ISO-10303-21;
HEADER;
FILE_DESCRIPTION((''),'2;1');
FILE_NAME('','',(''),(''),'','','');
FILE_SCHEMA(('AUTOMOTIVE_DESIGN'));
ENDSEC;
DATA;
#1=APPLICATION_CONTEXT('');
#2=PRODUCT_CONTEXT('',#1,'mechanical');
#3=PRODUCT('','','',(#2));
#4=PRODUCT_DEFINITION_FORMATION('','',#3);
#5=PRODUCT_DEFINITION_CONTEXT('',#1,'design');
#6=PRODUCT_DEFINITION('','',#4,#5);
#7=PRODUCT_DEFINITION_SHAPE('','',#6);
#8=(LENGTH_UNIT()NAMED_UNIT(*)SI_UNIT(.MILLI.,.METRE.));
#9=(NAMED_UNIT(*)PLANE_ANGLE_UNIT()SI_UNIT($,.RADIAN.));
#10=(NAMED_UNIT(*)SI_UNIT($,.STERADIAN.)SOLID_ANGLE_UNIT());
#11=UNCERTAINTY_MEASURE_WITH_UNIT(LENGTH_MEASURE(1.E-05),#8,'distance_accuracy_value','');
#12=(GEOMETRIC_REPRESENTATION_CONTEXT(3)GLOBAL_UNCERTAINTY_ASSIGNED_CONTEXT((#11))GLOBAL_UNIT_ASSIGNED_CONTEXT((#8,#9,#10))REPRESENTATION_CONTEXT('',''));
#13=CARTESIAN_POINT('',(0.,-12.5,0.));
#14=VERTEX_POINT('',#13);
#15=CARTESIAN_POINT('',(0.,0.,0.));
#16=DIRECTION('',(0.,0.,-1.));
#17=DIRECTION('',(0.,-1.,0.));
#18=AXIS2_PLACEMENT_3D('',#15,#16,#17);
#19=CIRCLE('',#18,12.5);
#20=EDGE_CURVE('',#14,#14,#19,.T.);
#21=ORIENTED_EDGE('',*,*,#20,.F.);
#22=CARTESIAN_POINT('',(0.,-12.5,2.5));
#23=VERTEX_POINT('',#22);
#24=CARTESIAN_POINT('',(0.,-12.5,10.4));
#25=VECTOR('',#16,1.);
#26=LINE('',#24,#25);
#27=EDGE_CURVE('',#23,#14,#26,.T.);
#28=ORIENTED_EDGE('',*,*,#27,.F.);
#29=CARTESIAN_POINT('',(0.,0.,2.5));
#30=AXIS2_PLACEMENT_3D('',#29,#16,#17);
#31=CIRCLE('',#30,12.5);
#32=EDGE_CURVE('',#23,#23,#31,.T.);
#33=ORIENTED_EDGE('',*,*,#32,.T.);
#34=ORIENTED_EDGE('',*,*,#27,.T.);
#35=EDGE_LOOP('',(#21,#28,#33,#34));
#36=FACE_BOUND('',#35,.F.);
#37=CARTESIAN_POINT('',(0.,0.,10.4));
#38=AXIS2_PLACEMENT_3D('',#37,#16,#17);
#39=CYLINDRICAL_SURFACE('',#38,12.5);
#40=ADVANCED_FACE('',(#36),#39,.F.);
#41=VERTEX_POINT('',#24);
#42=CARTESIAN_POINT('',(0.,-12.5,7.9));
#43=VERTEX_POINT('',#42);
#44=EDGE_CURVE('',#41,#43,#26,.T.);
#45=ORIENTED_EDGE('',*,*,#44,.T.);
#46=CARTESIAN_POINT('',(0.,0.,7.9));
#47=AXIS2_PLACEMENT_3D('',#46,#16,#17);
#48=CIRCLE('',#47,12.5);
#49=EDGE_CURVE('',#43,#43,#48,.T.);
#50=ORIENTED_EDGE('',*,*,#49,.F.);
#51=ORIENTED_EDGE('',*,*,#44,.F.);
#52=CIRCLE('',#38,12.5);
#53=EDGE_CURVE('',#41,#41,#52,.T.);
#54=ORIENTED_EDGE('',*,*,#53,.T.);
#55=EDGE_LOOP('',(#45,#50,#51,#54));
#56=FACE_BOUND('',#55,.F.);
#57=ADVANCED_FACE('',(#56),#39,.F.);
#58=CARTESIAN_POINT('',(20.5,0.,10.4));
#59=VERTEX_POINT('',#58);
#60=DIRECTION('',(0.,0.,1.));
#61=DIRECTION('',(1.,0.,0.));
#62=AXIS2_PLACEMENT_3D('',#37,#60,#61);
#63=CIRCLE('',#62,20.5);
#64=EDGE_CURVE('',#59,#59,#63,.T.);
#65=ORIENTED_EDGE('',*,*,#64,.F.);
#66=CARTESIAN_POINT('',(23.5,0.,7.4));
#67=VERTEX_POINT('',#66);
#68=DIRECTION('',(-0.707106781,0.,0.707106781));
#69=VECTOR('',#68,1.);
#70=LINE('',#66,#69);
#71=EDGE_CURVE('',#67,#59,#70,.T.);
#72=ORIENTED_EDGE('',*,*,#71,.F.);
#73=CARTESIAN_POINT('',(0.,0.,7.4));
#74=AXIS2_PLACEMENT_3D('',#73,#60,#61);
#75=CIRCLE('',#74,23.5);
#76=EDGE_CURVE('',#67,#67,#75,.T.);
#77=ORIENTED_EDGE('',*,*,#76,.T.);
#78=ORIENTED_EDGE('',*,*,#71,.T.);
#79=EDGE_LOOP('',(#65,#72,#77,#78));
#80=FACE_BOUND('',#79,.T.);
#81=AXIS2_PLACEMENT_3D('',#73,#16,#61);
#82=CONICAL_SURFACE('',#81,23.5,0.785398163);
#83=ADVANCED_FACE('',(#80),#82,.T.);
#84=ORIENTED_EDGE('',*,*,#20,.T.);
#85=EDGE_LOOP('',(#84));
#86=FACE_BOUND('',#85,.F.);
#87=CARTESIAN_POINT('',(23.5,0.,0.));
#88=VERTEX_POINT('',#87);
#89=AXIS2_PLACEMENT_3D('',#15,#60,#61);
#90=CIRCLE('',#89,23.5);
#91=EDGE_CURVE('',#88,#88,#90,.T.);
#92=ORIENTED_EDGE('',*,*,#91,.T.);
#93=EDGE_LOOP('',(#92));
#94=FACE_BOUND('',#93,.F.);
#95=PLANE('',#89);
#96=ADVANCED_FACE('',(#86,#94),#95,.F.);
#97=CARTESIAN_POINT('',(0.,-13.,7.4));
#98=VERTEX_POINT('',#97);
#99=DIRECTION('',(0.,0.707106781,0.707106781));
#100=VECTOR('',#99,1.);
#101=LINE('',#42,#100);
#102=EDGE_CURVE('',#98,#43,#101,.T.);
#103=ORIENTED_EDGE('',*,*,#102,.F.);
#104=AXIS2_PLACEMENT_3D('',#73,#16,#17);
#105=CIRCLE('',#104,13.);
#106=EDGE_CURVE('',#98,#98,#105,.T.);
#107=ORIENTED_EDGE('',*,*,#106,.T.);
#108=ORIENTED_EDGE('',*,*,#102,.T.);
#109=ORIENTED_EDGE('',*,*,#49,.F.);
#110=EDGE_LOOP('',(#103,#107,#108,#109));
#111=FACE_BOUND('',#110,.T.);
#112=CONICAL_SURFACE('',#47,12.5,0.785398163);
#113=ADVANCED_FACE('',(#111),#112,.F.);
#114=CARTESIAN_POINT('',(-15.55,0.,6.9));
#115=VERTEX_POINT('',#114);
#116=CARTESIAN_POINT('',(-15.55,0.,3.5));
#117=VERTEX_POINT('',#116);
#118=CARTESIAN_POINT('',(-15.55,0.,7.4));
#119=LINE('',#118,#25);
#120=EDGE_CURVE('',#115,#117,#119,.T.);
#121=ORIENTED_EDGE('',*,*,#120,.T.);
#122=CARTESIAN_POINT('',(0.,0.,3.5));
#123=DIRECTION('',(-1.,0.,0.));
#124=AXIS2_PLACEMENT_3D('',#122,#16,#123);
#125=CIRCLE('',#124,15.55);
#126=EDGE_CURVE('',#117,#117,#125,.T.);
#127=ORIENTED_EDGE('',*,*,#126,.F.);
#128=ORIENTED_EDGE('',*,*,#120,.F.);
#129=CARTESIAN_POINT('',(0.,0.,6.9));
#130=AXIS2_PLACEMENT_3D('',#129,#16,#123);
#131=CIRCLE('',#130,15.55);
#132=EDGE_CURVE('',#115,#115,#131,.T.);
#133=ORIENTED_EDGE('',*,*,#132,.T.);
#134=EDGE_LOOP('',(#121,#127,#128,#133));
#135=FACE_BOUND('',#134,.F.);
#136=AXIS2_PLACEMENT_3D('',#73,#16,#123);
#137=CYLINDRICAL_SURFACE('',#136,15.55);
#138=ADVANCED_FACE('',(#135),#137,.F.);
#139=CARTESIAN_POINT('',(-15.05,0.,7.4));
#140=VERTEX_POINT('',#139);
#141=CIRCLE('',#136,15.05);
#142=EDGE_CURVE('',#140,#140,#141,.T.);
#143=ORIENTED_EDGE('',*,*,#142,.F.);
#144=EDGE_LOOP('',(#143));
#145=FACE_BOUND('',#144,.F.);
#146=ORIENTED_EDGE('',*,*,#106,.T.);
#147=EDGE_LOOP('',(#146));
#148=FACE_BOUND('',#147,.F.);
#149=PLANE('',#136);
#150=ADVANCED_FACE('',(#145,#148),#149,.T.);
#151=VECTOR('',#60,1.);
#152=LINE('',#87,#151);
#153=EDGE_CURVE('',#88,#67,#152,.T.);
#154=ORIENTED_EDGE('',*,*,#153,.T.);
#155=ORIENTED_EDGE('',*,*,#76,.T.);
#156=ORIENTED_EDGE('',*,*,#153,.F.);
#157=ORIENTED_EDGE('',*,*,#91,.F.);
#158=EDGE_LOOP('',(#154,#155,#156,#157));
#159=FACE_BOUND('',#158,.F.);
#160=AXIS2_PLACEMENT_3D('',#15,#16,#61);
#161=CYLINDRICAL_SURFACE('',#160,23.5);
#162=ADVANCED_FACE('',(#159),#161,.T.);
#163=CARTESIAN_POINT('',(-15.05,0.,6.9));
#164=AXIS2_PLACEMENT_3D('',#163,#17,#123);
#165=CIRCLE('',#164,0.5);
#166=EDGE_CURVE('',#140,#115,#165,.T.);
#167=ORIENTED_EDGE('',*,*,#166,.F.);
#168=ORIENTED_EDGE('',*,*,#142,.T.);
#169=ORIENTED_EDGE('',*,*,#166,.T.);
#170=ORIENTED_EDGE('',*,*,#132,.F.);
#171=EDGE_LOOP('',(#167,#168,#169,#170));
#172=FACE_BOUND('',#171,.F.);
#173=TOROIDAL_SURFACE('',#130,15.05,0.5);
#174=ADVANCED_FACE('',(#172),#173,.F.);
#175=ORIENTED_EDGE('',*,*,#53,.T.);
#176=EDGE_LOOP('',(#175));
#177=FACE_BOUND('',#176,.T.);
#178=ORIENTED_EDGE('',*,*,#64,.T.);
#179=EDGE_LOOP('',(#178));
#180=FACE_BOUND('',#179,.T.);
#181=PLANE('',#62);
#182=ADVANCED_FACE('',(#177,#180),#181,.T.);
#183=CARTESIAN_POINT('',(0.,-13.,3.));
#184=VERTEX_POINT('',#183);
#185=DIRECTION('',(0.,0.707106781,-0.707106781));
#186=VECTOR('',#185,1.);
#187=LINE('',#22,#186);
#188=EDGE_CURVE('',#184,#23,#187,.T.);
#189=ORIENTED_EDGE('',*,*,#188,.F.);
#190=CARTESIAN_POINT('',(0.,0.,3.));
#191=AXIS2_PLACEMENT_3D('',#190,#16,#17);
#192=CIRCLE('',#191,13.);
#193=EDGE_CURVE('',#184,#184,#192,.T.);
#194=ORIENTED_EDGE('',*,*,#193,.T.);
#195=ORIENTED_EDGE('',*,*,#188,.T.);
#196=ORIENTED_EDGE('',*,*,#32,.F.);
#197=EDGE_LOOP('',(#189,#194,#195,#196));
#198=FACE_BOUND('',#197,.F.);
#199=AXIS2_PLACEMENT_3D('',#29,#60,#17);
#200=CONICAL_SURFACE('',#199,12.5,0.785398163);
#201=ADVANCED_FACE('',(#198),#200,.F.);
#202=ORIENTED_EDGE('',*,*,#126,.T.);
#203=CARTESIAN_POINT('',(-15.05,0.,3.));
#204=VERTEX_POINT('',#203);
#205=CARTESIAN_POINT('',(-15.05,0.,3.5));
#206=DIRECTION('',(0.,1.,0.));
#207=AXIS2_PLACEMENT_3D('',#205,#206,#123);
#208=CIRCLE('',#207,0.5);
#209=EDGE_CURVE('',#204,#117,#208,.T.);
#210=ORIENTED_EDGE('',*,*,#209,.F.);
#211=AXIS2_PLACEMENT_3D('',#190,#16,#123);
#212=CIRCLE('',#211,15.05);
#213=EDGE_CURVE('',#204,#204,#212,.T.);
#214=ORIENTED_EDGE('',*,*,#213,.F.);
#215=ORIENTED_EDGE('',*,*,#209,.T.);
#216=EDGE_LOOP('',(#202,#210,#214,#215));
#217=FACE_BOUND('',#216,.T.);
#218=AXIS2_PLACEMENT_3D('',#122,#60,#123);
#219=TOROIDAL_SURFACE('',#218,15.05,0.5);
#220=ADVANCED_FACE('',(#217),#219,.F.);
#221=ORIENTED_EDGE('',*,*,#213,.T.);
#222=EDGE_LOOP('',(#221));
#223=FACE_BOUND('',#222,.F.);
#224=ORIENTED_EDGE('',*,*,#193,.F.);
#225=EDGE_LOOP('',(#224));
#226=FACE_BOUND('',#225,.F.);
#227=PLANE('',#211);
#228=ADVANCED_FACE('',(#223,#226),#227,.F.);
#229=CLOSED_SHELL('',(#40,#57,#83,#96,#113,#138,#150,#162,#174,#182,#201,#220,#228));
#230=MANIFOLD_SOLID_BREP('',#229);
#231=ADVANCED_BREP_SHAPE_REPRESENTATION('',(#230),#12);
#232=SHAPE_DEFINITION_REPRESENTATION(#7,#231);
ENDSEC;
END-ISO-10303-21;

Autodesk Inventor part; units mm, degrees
ref_plane "YZ Plane" through (0, 0, 0) normal (1, 0, 0) x (0, 1, 0)
ref_plane "XZ Plane" through (0, 0, 0) normal (0, 1, 0) x (-1, 0, 0)
ref_plane "XY Plane" through (0, 0, 0) normal (0, 0, 1) x (1, 0, 0)
sketch "草圖1" plane through (0, 0, 0) normal (0, 0, 1) x (1, 0, 0)
  circle A0 centre (0, 0) radius 23.5
  dimension "d0" = 47
extrude "擠出1" add sketch "草圖1" along normal blind 10.4
chamfer "倒角1" distance 3 angle 45 1 edges at (-23.5, 0, 10.4)
sketch "草圖3" plane through (0, 0, 10.4) normal (0, 0, 1) x (1, 0, 0)
  circle A0 centre (0, 0) radius 20.5 projected
hole "孔1" at (0, 0, 10.4) direction (0, 0, -1) diameter 25 end through all
sketch "草圖4" plane through (0, 0, 0) normal (0, 1, 0) x (-1, 0, 0)
  line L0 (0, 0) -> (0, 3)
  line L1 (-15.55, 7.4) -> (15.55, 7.4)
  line L2 (15.55, 7.4) -> (15.55, 3)
  line L3 (15.55, 3) -> (-15.55, 3)
  line L4 (-15.55, 3) -> (-15.55, 7.4)
  line L5 (0, 7.4) -> (0, 3)
  dimension "d13" = 3
  dimension "d14" = 31.1
  dimension "d15" = 4.4
revolve "迴轉1" cut sketch "草圖4" angle 360 about axis through (0, 0, 7.4) along (0, 0, -1) contours L1 L2 L3 L5
fillet "圓角1" radius 0.5 2 edges at (15.55, 0, 3) (15.55, 0, 7.4)
chamfer "倒角2" distance 0.5 angle 45 2 edges at (0, 12.5, 7.4) (0, 12.5, 3)
properties part number "機械油封墊片-KMB601PT-t10.4"
